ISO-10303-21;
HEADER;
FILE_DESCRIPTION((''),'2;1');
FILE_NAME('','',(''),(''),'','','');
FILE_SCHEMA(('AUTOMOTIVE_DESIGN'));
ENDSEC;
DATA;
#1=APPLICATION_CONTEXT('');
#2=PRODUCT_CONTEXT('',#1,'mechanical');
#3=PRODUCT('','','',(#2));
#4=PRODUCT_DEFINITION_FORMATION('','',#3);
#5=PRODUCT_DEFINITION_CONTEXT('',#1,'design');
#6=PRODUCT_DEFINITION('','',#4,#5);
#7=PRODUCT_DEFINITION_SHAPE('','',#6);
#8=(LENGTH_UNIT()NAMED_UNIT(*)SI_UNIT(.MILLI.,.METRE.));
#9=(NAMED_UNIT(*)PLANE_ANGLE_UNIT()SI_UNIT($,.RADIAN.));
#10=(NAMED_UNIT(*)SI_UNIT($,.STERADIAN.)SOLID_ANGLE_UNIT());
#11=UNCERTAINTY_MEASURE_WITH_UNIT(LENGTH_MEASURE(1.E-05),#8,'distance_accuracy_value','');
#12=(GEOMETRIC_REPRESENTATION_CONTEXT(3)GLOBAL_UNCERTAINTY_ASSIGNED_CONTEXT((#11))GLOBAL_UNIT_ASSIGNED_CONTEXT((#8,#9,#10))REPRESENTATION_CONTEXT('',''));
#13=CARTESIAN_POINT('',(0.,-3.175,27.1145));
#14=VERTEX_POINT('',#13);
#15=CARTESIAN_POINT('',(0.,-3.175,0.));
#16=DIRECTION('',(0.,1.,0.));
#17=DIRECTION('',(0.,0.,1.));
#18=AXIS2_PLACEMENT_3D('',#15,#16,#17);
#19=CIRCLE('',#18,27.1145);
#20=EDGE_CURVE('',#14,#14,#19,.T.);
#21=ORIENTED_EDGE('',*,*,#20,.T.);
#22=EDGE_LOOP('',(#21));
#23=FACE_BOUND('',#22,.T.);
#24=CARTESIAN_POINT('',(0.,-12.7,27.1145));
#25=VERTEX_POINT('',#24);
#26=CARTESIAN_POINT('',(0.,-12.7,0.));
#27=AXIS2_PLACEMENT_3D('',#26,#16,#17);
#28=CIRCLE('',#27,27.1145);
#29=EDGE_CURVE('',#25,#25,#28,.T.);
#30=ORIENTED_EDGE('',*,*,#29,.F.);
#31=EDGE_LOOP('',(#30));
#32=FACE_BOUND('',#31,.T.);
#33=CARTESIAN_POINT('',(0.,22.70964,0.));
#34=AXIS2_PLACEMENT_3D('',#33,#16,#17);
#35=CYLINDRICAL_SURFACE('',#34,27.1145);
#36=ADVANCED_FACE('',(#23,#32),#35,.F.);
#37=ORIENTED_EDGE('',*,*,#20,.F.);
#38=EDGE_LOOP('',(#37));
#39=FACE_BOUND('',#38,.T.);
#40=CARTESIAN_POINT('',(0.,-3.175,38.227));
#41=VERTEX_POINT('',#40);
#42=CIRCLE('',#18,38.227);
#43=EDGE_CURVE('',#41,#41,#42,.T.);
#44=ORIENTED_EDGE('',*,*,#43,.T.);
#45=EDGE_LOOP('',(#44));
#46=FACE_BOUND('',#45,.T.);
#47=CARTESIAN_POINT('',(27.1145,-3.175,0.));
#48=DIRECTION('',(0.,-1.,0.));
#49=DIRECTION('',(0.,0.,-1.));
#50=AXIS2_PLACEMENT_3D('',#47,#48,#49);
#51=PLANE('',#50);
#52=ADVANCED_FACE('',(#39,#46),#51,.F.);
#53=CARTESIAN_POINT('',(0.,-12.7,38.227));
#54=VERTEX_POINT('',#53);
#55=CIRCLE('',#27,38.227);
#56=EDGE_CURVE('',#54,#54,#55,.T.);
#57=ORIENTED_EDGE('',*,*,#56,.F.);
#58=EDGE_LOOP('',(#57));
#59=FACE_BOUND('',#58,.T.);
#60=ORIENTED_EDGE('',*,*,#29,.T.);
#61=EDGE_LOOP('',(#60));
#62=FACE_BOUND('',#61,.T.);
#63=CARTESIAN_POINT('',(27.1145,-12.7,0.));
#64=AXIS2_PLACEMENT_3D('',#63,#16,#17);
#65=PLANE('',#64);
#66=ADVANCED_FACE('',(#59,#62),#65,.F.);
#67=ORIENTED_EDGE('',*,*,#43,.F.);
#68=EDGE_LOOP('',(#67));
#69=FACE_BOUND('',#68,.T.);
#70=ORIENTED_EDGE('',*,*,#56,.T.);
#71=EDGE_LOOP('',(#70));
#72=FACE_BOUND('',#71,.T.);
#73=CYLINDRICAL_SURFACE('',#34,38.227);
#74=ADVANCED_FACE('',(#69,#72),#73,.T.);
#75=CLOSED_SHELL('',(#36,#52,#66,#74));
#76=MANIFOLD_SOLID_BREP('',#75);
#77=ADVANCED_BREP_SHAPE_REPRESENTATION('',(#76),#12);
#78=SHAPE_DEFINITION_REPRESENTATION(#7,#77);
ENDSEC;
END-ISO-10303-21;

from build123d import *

# Parameters (mm, degrees)
SKETCH1_W = 11.1125
SKETCH1_H = 9.525


with BuildPart() as part:
    # Sketch1 → Revolve1 (revolve)
    with BuildSketch(Plane.XY):
        with Locations((32.67075, -7.9375)):
            Rectangle(SKETCH1_W, SKETCH1_H)
    revolve(axis=Axis((0, 22.709640493, 0), (0, -1, 0)))


solid = part.part
